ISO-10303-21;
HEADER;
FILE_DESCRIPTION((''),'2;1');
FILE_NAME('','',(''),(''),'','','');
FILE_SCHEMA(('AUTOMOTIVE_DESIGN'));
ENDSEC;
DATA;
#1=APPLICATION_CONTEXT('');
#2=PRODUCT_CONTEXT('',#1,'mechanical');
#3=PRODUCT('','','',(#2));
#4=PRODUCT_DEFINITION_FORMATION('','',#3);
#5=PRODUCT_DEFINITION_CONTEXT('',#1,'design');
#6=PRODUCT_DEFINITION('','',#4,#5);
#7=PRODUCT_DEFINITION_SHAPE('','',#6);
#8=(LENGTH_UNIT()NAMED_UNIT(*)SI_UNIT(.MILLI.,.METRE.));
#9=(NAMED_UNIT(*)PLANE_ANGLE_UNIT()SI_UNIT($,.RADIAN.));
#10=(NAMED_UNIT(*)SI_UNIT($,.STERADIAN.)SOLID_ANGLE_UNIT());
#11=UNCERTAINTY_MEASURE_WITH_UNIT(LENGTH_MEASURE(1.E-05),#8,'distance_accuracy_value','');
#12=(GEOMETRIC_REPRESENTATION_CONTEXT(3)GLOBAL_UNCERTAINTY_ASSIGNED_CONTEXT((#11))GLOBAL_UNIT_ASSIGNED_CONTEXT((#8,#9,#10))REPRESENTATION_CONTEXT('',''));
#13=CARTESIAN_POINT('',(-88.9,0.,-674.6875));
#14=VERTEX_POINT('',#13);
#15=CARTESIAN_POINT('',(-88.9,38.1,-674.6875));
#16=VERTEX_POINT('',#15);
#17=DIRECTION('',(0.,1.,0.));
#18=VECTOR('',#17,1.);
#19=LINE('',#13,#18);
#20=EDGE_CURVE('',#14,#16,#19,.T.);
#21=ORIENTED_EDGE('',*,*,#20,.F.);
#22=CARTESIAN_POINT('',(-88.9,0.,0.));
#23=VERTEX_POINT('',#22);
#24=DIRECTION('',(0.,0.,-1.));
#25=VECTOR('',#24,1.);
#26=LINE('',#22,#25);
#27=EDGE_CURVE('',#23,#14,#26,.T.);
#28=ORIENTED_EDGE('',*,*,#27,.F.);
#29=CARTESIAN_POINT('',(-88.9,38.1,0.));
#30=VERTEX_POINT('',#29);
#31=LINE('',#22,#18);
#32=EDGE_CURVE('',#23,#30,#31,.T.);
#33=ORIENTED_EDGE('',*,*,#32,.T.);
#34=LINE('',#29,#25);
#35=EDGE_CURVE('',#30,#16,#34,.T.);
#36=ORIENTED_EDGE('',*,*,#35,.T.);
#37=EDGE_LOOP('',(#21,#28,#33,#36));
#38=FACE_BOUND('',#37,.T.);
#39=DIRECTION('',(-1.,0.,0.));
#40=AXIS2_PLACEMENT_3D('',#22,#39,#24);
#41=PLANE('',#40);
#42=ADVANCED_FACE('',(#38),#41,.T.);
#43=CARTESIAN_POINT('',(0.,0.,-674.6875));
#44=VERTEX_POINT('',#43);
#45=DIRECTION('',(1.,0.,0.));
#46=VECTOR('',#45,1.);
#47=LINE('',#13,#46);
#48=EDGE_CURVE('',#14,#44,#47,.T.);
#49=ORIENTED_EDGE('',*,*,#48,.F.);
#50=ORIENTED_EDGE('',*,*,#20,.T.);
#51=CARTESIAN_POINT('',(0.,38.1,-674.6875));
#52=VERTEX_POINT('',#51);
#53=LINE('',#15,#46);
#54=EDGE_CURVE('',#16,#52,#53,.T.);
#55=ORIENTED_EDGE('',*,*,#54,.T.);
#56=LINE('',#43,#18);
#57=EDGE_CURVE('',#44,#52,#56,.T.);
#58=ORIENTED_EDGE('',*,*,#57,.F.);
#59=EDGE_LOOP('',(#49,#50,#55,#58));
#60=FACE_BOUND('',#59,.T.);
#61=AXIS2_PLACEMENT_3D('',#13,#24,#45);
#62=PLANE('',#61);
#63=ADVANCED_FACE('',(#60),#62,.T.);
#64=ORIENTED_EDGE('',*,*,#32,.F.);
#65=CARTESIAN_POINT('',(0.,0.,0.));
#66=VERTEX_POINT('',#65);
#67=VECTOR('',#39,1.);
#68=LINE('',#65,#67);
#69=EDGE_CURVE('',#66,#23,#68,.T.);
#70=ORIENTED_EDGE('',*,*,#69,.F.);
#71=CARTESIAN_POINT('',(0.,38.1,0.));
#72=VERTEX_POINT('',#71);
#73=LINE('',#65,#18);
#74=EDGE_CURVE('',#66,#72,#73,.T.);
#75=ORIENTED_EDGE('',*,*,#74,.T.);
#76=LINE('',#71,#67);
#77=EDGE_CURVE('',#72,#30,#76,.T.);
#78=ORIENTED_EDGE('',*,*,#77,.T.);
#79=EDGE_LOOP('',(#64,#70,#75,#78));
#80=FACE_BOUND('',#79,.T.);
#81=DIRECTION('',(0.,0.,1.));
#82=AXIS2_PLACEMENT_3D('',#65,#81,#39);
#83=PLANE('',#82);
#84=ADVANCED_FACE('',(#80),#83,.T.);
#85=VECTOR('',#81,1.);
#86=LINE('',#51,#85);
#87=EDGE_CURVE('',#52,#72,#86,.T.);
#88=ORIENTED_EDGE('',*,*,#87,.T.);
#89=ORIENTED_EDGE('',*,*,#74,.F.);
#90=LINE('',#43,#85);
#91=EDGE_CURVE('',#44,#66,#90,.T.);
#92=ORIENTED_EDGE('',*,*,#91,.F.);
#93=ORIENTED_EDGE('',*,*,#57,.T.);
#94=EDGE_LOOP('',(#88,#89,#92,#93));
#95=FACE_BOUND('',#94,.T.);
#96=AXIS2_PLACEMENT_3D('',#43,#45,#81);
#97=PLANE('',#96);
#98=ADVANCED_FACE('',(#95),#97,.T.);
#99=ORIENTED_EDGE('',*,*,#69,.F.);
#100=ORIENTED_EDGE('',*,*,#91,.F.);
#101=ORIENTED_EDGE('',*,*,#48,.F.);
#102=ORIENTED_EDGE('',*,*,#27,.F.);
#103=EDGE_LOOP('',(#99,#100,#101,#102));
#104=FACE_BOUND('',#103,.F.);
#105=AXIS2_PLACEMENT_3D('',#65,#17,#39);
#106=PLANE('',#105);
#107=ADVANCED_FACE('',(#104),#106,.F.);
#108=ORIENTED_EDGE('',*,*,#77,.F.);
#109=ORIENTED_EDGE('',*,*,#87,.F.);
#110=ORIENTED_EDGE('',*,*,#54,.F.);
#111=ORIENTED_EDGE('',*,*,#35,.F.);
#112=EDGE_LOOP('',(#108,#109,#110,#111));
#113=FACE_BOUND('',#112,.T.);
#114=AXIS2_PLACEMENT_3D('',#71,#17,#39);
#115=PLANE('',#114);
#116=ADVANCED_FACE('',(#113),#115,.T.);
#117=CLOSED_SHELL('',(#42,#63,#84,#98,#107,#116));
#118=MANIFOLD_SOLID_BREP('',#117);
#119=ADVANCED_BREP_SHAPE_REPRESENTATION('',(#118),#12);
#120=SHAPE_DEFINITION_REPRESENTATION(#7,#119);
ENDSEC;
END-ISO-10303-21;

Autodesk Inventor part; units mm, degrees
ref_plane "YZ Plane" through (0, 0, 0) normal (1, 0, 0) x (0, 1, 0)
ref_plane "XZ Plane" through (0, 0, 0) normal (0, 1, 0) x (-1, 0, 0)
ref_plane "XY Plane" through (0, 0, 0) normal (0, 0, 1) x (1, 0, 0)
sketch "Sketch1" plane through (0, 0, 0) normal (0, 1, 0) x (-1, 0, 0)
  line L0 (0, 0) -> (88.9, 0)
  line L1 (88.9, 0) -> (88.9, -674.6875)
  line L2 (88.9, -674.6875) -> (0, -674.6875)
  line L3 (0, -674.6875) -> (0, 0)
  dimension "d1" = 88.9
  dimension "d4" = 674.6875
extrude "Extrusion1" add sketch "Sketch1" along normal blind 38.1
properties part number "Plate_With_Length_25_Inches" material "Wood (Birch)"
